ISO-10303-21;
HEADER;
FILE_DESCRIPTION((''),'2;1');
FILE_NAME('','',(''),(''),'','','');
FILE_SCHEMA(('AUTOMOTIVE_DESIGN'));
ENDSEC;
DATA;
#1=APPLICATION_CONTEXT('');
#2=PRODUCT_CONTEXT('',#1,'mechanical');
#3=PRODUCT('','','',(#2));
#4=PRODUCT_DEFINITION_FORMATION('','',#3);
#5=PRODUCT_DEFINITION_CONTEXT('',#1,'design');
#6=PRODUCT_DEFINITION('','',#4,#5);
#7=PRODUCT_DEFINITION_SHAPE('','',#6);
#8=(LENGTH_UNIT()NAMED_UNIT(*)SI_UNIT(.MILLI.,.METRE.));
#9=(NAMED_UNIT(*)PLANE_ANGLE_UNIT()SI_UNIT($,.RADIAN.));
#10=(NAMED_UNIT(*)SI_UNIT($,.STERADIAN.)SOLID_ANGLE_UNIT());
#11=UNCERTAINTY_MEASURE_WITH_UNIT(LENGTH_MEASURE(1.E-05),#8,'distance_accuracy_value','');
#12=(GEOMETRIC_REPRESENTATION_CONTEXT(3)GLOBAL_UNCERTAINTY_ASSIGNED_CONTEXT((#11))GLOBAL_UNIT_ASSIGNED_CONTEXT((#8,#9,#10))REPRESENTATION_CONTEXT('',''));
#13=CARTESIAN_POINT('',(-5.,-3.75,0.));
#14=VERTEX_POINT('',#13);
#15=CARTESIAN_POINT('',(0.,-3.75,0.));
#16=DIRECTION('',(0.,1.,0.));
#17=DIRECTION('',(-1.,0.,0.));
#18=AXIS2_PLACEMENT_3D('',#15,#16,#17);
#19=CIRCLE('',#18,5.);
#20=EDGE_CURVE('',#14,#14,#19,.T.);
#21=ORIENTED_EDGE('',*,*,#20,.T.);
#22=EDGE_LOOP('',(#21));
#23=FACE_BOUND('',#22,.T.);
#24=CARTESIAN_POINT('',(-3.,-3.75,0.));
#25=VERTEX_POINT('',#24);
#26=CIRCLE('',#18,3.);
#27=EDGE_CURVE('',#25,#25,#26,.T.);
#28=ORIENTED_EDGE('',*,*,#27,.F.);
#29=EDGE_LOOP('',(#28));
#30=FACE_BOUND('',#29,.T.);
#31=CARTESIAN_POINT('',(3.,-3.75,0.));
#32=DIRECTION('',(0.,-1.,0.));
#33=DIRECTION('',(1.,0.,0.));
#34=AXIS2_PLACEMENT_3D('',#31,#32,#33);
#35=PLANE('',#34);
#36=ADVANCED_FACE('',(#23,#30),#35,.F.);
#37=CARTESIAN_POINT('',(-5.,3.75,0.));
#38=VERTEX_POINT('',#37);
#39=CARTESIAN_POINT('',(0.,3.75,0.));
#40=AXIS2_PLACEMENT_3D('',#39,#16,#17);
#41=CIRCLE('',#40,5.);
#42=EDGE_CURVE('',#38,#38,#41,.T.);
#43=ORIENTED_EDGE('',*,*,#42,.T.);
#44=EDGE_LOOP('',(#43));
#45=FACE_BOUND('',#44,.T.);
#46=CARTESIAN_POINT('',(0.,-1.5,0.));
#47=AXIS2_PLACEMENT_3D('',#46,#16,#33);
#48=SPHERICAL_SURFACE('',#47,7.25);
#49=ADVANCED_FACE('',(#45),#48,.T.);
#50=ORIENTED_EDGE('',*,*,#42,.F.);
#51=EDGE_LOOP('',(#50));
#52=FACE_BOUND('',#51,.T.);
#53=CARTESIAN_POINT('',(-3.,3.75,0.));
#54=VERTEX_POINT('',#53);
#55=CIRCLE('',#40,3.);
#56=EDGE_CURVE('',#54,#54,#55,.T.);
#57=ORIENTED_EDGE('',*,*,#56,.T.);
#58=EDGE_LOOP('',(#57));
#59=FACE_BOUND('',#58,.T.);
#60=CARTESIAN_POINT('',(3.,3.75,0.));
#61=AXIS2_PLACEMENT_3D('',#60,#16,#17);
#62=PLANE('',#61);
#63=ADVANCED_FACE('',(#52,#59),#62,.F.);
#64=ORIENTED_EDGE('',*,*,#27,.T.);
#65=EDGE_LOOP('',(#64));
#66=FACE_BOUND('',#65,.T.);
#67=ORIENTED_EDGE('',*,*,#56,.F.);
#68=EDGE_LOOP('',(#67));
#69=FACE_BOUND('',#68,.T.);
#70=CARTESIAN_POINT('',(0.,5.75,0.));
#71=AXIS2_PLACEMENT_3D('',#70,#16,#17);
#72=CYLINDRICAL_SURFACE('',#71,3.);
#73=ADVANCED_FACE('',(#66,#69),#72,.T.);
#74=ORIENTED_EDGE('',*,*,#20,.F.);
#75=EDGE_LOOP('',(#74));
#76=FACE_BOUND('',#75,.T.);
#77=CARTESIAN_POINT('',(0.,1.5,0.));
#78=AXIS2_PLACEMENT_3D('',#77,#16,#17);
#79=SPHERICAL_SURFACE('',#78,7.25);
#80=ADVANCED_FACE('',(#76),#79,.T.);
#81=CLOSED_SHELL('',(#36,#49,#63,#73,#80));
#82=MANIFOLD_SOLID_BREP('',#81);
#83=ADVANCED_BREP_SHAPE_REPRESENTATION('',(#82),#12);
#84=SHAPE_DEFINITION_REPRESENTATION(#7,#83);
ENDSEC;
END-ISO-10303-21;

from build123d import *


with BuildPart() as part:
    # Sketch1 → Revolve3 (revolve)
    with BuildSketch(Plane.XY, mode=Mode.PRIVATE) as revolve3_sk:
        with BuildLine():
            Line((0, 5.75), (0, -5.75))
            ThreePointArc((0, -5.75), (2.692582404, -5.231456009), (5, -3.75))
            Line((5, -3.75), (3, -3.75))
            Line((3, -3.75), (3, 3.75))
            Line((3, 3.75), (5, 3.75))
            ThreePointArc((5, 3.75), (2.692582404, 5.231456009), (0, 5.75))
        make_face()
    revolve(revolve3_sk.sketch.rotate(Axis((0, 5.75, 0), (0, -1, 0)), 180), axis=Axis((0, 5.75, 0), (0, -1, 0)))


solid = part.part
